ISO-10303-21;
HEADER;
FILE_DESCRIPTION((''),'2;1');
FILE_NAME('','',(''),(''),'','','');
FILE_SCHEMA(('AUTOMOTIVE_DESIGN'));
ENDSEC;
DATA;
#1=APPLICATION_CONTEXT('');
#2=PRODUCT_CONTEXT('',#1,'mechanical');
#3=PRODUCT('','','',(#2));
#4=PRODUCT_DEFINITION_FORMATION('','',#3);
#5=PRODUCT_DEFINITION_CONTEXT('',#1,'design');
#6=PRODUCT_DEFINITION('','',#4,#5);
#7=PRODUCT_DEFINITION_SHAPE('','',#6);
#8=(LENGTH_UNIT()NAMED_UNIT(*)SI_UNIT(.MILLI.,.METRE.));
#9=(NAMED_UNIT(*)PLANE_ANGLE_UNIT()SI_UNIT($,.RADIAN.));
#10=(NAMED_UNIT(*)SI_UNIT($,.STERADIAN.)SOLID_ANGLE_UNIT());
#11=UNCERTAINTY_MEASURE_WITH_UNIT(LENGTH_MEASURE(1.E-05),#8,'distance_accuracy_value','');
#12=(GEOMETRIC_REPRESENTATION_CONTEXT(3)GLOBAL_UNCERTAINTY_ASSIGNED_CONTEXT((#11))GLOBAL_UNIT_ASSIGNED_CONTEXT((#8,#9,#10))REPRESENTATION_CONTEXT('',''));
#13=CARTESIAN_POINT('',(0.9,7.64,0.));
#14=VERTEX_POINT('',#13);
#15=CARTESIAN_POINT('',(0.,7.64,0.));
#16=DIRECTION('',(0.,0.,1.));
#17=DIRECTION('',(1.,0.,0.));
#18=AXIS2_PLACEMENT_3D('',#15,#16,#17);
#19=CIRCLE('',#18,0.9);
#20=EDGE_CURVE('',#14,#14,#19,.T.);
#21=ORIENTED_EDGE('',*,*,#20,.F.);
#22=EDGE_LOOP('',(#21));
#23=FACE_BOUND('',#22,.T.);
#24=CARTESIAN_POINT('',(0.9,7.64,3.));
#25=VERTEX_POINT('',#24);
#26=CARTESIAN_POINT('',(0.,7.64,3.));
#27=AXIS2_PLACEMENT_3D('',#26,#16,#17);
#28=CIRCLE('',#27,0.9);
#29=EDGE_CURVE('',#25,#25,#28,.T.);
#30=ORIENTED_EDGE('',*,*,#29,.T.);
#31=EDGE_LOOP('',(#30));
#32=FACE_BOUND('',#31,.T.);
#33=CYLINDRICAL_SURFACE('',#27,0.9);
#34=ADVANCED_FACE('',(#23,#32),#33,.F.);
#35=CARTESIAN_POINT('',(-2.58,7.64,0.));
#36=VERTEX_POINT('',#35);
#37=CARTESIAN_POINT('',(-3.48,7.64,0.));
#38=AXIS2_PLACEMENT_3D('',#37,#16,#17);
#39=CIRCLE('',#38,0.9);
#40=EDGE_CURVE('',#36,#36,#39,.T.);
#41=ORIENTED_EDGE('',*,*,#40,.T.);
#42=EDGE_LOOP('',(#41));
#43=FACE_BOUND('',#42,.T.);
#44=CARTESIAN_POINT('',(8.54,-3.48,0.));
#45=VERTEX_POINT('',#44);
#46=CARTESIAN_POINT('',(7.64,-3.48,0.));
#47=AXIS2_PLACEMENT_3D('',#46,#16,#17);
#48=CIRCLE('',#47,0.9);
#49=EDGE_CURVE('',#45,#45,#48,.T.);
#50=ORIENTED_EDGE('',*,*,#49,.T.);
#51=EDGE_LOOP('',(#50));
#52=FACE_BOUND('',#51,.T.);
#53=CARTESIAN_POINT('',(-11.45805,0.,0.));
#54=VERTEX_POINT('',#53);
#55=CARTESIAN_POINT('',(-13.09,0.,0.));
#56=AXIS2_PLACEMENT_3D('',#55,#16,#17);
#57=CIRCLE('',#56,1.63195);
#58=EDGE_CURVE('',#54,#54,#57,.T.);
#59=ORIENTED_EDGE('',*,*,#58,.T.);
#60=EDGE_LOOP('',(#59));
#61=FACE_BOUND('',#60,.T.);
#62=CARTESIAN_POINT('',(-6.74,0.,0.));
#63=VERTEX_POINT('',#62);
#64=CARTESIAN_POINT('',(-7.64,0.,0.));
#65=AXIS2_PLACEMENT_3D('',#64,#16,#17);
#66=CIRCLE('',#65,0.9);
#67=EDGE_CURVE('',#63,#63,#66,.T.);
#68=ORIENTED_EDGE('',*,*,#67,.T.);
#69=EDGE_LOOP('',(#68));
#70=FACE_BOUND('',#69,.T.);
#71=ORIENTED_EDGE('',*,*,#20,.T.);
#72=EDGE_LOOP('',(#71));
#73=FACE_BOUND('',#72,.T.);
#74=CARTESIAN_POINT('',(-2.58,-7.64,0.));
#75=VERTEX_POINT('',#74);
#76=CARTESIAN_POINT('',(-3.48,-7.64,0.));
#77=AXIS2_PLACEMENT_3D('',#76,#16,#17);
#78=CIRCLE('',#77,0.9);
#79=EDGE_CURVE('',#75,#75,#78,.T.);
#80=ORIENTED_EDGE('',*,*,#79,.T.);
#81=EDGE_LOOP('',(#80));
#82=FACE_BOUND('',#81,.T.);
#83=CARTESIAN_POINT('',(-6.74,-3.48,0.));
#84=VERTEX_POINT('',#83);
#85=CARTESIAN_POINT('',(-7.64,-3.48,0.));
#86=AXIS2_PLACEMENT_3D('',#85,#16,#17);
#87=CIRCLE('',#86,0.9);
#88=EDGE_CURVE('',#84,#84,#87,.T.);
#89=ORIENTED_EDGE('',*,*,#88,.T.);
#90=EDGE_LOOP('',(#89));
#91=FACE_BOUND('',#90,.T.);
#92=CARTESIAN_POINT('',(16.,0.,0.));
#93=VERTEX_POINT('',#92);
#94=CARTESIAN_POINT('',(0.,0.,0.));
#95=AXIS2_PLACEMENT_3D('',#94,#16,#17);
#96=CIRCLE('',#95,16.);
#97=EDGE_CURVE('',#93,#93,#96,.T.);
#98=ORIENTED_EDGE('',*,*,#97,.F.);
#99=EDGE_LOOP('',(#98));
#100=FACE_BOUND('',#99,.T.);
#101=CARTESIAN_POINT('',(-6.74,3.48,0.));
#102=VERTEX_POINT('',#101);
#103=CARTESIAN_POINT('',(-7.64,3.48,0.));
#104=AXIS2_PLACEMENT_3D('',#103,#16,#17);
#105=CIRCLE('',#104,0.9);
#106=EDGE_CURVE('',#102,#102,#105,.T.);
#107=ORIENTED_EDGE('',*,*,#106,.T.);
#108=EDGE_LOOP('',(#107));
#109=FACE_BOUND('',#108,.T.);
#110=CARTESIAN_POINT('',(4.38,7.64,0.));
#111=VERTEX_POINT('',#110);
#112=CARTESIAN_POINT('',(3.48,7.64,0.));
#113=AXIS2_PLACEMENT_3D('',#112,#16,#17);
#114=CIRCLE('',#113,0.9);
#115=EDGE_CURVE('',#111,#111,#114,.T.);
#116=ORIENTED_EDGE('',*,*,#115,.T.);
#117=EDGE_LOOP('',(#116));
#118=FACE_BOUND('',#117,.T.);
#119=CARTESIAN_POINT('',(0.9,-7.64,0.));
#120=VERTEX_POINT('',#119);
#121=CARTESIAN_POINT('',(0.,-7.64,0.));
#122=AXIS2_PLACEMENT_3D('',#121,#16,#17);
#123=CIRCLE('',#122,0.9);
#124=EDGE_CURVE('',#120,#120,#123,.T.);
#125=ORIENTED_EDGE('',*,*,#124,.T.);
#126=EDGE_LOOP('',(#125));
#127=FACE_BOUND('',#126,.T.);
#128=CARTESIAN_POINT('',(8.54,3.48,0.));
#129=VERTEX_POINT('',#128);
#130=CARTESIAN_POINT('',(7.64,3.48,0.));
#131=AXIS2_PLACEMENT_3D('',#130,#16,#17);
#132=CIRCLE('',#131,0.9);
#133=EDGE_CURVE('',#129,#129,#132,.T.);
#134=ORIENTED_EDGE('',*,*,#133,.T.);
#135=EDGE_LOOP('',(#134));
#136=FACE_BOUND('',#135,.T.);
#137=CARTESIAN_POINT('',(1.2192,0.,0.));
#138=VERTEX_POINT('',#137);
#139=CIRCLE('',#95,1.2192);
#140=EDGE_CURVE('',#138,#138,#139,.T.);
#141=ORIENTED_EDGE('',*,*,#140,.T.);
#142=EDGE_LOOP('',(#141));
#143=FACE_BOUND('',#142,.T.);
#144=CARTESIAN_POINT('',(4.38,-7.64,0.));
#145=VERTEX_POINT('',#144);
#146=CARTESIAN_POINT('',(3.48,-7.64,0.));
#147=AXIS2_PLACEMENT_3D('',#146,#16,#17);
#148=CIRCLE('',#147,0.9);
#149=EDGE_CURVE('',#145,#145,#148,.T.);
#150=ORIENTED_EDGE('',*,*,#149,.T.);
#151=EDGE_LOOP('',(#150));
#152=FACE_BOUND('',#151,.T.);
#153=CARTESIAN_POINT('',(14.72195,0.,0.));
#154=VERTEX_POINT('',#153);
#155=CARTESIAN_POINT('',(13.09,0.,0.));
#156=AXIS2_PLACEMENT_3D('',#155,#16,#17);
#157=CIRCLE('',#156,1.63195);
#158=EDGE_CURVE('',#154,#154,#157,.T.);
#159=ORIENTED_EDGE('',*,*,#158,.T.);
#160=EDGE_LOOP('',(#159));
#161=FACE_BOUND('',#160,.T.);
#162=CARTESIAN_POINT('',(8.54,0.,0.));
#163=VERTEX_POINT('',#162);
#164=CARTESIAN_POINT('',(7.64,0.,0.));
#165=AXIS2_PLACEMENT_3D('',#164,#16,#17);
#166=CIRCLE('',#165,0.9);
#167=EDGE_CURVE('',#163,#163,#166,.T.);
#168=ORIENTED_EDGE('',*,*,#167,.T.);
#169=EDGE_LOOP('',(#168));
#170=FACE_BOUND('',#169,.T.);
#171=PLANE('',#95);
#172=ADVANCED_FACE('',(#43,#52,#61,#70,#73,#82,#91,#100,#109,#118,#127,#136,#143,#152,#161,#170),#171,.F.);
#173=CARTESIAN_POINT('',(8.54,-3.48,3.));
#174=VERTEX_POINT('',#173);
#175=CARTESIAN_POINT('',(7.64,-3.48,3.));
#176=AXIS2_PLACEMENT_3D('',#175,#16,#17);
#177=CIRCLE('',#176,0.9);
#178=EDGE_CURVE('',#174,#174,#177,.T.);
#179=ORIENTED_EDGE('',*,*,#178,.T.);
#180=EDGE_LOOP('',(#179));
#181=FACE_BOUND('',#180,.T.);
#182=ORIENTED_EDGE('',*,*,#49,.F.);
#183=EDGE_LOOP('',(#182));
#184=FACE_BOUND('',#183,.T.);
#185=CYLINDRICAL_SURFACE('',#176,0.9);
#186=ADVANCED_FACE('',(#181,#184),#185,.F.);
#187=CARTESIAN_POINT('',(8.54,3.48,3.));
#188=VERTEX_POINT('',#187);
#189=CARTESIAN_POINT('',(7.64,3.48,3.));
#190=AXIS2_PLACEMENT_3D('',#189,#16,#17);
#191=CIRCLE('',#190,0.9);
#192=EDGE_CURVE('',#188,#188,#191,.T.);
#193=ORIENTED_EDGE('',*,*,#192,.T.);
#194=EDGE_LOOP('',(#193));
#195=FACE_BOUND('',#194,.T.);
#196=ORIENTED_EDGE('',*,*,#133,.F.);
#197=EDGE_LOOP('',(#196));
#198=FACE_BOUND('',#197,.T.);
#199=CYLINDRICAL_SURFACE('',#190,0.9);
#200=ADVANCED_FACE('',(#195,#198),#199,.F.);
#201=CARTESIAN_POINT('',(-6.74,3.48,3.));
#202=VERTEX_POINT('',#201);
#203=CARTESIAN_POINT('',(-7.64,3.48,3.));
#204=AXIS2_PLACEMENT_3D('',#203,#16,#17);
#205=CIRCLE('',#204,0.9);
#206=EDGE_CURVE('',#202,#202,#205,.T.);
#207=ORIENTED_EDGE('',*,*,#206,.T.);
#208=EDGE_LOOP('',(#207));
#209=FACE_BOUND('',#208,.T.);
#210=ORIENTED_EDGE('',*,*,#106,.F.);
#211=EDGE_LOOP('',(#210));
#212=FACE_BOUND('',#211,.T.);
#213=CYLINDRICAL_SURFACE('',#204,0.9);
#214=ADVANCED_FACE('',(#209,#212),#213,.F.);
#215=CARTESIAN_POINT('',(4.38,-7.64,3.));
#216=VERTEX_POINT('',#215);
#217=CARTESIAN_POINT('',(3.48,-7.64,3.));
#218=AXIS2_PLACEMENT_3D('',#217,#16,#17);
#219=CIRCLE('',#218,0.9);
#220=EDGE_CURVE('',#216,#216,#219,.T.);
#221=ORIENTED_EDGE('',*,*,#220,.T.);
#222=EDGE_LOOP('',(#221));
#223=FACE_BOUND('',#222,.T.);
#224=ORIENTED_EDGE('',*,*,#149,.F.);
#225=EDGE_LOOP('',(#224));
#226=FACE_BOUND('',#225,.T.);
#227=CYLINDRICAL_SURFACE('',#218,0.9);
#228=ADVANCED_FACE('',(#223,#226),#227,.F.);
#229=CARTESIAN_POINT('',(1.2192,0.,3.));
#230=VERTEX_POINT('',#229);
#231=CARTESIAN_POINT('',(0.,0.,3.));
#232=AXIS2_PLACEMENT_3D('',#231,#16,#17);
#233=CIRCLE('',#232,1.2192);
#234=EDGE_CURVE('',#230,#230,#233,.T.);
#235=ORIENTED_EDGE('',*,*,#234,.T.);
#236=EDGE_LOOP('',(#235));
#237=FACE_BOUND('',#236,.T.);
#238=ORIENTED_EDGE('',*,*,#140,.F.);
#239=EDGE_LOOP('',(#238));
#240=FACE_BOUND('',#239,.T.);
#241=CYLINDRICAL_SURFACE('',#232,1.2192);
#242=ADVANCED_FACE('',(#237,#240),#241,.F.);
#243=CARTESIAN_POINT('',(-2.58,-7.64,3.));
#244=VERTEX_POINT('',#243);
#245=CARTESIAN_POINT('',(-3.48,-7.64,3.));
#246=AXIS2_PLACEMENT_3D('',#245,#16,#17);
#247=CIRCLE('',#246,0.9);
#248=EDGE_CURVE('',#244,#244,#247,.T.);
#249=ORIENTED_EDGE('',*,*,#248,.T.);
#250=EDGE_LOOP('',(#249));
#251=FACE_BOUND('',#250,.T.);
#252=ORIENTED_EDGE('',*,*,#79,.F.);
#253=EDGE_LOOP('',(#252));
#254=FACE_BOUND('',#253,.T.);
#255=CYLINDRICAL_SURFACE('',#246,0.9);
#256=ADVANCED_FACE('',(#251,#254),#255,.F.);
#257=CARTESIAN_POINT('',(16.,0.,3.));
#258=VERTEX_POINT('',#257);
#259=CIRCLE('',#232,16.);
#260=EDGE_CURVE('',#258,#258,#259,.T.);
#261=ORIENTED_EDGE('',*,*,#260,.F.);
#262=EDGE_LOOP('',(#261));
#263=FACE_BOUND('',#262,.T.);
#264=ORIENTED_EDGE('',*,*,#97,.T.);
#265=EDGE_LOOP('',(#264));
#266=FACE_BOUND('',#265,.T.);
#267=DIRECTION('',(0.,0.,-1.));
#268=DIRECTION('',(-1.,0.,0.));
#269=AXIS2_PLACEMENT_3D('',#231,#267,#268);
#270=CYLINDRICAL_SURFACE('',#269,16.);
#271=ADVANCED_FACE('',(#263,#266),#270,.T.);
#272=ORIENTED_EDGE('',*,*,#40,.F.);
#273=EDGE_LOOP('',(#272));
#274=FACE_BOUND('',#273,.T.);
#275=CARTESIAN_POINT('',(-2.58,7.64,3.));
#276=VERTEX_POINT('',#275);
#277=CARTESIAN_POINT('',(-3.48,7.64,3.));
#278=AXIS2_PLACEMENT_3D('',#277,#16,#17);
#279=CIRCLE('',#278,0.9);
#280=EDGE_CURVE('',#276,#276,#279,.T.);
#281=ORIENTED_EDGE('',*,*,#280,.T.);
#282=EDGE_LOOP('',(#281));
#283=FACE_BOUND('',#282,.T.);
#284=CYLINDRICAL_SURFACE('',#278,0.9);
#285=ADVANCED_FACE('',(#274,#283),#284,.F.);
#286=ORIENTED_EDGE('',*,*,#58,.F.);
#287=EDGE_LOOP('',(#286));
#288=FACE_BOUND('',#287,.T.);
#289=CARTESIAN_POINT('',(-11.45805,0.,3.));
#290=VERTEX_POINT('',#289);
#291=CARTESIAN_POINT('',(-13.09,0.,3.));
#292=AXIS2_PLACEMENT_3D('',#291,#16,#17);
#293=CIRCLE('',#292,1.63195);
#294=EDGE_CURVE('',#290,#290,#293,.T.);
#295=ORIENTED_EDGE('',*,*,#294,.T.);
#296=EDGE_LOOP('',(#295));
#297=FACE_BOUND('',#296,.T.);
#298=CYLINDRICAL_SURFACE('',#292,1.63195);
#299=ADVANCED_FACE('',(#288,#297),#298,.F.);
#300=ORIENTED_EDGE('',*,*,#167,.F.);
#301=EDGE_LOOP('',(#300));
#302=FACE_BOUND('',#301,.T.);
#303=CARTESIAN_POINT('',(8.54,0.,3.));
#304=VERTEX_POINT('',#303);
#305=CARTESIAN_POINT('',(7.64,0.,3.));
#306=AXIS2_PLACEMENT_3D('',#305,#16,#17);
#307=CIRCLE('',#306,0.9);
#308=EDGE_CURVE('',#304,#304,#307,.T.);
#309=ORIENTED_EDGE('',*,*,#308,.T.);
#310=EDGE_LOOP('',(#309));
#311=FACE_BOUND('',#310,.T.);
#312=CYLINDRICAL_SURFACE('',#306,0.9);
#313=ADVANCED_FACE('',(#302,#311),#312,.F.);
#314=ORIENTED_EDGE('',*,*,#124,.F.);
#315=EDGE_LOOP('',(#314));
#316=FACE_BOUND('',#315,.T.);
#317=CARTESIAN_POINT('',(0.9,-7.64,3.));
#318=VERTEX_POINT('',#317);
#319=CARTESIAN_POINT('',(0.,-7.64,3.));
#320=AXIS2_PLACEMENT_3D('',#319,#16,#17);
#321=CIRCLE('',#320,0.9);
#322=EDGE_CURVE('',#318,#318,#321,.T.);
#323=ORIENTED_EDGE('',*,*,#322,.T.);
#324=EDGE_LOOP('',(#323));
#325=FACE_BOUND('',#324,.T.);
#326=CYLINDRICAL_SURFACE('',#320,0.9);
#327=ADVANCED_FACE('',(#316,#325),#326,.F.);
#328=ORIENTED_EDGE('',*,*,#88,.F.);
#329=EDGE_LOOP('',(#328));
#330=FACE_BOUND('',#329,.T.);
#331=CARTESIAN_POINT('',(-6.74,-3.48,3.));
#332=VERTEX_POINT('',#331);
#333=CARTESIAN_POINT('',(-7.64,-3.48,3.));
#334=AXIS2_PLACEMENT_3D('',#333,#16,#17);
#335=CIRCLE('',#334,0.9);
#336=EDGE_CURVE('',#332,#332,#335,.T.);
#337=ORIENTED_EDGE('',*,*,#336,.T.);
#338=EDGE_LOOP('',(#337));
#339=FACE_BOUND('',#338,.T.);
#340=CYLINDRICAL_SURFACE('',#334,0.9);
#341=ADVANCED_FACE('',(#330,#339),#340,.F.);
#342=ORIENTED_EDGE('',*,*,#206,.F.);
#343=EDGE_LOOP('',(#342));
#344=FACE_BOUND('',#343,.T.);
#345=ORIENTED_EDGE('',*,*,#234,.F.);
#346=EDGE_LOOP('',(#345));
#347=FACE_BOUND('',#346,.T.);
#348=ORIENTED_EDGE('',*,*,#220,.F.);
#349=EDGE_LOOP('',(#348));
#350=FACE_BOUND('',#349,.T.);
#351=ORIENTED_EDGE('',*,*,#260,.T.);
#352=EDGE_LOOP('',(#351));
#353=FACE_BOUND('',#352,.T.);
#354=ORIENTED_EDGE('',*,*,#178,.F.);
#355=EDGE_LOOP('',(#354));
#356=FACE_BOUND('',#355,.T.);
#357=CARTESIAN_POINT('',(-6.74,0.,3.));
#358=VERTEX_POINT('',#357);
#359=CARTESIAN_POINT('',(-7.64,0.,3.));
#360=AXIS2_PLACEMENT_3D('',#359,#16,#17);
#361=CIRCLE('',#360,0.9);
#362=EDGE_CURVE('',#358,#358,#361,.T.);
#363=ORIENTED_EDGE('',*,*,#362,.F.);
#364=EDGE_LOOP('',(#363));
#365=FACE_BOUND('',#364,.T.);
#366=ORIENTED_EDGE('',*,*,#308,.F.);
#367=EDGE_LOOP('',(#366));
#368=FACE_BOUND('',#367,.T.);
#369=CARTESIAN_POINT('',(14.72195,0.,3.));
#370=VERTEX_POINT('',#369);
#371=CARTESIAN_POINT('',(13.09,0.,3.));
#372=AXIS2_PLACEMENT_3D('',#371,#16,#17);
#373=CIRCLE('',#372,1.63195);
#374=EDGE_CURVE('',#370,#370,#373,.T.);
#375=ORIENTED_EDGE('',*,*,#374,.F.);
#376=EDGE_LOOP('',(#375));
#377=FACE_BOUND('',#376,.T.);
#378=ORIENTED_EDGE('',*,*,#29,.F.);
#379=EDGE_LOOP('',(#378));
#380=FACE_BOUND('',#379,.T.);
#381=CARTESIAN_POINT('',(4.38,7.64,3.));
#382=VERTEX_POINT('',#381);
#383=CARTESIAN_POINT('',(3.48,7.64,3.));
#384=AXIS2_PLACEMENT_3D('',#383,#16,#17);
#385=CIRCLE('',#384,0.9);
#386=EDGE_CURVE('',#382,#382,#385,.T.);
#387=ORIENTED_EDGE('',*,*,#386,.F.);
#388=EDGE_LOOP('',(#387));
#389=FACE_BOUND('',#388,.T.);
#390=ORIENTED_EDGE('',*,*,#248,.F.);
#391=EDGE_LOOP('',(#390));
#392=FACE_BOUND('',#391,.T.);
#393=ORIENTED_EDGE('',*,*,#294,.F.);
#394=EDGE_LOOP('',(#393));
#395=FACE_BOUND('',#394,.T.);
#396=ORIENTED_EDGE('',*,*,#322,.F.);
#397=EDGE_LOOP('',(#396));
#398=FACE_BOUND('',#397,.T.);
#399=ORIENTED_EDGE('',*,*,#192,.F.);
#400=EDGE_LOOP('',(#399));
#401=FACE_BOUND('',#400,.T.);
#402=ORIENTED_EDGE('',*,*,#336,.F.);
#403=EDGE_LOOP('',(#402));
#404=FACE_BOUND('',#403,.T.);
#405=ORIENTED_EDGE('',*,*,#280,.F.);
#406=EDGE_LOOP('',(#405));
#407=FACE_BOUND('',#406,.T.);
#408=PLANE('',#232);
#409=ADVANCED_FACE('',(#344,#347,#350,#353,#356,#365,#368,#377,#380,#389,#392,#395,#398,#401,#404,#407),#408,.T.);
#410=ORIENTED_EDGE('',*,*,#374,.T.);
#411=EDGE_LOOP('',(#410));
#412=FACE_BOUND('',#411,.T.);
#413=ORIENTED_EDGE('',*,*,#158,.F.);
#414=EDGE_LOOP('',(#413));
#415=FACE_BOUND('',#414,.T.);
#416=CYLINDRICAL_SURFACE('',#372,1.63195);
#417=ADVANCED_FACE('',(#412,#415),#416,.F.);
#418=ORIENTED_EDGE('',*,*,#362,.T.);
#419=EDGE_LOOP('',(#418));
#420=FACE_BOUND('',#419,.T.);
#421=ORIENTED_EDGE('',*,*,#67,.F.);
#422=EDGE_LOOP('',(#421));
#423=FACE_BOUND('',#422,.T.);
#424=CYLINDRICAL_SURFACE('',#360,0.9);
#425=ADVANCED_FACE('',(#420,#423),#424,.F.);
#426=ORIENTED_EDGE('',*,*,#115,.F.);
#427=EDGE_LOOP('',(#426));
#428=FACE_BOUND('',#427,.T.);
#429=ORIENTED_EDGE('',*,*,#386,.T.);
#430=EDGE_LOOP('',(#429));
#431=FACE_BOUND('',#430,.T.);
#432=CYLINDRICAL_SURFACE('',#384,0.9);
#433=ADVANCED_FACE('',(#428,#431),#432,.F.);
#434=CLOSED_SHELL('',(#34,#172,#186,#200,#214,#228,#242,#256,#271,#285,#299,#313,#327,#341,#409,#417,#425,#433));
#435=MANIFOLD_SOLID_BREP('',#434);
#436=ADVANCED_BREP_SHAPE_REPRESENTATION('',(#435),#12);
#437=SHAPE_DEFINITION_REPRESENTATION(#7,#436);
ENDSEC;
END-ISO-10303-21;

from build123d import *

# Parameters (mm, degrees)
SKETCH1_R              = 16
BOSS_EXTRUDE1_DEPTH    = 3
M1_6_CLEARANCE_HOLE1_D = 1.8
F_4_CLEARANCE_HOLE1_D  = 3.2639
F_2_CLEARANCE_HOLE1_D  = 2.4384


with BuildPart() as part:
    # Sketch1 → Boss-Extrude1 (new body)
    with BuildSketch(Plane.XY):
        Circle(SKETCH1_R)
    extrude(amount=BOSS_EXTRUDE1_DEPTH)

    # M1.6 Clearance Hole1 (through all)
    with Locations(Plane.XY.offset(3)):
        with Locations((-3.48, 7.64), (0, 7.64), (3.48, 7.64), (7.64, 3.48), (7.64, -3.48), (7.64, 0), (3.48, -7.64), (0, -7.64), (-3.48, -7.64), (-7.64, 0), (-7.64, -3.48), (-7.64, 3.48)):
            Hole(M1_6_CLEARANCE_HOLE1_D / 2)

    # #4 Clearance Hole1 (through all)
    with Locations(Plane.XY.offset(3)):
        with Locations((-13.09, 0), (13.09, 0)):
            Hole(F_4_CLEARANCE_HOLE1_D / 2)

    # #2 Clearance Hole1 (through all)
    with Locations(Plane.XY.offset(3)):
        with Locations((0, 0)):
            Hole(F_2_CLEARANCE_HOLE1_D / 2)


solid = part.part
